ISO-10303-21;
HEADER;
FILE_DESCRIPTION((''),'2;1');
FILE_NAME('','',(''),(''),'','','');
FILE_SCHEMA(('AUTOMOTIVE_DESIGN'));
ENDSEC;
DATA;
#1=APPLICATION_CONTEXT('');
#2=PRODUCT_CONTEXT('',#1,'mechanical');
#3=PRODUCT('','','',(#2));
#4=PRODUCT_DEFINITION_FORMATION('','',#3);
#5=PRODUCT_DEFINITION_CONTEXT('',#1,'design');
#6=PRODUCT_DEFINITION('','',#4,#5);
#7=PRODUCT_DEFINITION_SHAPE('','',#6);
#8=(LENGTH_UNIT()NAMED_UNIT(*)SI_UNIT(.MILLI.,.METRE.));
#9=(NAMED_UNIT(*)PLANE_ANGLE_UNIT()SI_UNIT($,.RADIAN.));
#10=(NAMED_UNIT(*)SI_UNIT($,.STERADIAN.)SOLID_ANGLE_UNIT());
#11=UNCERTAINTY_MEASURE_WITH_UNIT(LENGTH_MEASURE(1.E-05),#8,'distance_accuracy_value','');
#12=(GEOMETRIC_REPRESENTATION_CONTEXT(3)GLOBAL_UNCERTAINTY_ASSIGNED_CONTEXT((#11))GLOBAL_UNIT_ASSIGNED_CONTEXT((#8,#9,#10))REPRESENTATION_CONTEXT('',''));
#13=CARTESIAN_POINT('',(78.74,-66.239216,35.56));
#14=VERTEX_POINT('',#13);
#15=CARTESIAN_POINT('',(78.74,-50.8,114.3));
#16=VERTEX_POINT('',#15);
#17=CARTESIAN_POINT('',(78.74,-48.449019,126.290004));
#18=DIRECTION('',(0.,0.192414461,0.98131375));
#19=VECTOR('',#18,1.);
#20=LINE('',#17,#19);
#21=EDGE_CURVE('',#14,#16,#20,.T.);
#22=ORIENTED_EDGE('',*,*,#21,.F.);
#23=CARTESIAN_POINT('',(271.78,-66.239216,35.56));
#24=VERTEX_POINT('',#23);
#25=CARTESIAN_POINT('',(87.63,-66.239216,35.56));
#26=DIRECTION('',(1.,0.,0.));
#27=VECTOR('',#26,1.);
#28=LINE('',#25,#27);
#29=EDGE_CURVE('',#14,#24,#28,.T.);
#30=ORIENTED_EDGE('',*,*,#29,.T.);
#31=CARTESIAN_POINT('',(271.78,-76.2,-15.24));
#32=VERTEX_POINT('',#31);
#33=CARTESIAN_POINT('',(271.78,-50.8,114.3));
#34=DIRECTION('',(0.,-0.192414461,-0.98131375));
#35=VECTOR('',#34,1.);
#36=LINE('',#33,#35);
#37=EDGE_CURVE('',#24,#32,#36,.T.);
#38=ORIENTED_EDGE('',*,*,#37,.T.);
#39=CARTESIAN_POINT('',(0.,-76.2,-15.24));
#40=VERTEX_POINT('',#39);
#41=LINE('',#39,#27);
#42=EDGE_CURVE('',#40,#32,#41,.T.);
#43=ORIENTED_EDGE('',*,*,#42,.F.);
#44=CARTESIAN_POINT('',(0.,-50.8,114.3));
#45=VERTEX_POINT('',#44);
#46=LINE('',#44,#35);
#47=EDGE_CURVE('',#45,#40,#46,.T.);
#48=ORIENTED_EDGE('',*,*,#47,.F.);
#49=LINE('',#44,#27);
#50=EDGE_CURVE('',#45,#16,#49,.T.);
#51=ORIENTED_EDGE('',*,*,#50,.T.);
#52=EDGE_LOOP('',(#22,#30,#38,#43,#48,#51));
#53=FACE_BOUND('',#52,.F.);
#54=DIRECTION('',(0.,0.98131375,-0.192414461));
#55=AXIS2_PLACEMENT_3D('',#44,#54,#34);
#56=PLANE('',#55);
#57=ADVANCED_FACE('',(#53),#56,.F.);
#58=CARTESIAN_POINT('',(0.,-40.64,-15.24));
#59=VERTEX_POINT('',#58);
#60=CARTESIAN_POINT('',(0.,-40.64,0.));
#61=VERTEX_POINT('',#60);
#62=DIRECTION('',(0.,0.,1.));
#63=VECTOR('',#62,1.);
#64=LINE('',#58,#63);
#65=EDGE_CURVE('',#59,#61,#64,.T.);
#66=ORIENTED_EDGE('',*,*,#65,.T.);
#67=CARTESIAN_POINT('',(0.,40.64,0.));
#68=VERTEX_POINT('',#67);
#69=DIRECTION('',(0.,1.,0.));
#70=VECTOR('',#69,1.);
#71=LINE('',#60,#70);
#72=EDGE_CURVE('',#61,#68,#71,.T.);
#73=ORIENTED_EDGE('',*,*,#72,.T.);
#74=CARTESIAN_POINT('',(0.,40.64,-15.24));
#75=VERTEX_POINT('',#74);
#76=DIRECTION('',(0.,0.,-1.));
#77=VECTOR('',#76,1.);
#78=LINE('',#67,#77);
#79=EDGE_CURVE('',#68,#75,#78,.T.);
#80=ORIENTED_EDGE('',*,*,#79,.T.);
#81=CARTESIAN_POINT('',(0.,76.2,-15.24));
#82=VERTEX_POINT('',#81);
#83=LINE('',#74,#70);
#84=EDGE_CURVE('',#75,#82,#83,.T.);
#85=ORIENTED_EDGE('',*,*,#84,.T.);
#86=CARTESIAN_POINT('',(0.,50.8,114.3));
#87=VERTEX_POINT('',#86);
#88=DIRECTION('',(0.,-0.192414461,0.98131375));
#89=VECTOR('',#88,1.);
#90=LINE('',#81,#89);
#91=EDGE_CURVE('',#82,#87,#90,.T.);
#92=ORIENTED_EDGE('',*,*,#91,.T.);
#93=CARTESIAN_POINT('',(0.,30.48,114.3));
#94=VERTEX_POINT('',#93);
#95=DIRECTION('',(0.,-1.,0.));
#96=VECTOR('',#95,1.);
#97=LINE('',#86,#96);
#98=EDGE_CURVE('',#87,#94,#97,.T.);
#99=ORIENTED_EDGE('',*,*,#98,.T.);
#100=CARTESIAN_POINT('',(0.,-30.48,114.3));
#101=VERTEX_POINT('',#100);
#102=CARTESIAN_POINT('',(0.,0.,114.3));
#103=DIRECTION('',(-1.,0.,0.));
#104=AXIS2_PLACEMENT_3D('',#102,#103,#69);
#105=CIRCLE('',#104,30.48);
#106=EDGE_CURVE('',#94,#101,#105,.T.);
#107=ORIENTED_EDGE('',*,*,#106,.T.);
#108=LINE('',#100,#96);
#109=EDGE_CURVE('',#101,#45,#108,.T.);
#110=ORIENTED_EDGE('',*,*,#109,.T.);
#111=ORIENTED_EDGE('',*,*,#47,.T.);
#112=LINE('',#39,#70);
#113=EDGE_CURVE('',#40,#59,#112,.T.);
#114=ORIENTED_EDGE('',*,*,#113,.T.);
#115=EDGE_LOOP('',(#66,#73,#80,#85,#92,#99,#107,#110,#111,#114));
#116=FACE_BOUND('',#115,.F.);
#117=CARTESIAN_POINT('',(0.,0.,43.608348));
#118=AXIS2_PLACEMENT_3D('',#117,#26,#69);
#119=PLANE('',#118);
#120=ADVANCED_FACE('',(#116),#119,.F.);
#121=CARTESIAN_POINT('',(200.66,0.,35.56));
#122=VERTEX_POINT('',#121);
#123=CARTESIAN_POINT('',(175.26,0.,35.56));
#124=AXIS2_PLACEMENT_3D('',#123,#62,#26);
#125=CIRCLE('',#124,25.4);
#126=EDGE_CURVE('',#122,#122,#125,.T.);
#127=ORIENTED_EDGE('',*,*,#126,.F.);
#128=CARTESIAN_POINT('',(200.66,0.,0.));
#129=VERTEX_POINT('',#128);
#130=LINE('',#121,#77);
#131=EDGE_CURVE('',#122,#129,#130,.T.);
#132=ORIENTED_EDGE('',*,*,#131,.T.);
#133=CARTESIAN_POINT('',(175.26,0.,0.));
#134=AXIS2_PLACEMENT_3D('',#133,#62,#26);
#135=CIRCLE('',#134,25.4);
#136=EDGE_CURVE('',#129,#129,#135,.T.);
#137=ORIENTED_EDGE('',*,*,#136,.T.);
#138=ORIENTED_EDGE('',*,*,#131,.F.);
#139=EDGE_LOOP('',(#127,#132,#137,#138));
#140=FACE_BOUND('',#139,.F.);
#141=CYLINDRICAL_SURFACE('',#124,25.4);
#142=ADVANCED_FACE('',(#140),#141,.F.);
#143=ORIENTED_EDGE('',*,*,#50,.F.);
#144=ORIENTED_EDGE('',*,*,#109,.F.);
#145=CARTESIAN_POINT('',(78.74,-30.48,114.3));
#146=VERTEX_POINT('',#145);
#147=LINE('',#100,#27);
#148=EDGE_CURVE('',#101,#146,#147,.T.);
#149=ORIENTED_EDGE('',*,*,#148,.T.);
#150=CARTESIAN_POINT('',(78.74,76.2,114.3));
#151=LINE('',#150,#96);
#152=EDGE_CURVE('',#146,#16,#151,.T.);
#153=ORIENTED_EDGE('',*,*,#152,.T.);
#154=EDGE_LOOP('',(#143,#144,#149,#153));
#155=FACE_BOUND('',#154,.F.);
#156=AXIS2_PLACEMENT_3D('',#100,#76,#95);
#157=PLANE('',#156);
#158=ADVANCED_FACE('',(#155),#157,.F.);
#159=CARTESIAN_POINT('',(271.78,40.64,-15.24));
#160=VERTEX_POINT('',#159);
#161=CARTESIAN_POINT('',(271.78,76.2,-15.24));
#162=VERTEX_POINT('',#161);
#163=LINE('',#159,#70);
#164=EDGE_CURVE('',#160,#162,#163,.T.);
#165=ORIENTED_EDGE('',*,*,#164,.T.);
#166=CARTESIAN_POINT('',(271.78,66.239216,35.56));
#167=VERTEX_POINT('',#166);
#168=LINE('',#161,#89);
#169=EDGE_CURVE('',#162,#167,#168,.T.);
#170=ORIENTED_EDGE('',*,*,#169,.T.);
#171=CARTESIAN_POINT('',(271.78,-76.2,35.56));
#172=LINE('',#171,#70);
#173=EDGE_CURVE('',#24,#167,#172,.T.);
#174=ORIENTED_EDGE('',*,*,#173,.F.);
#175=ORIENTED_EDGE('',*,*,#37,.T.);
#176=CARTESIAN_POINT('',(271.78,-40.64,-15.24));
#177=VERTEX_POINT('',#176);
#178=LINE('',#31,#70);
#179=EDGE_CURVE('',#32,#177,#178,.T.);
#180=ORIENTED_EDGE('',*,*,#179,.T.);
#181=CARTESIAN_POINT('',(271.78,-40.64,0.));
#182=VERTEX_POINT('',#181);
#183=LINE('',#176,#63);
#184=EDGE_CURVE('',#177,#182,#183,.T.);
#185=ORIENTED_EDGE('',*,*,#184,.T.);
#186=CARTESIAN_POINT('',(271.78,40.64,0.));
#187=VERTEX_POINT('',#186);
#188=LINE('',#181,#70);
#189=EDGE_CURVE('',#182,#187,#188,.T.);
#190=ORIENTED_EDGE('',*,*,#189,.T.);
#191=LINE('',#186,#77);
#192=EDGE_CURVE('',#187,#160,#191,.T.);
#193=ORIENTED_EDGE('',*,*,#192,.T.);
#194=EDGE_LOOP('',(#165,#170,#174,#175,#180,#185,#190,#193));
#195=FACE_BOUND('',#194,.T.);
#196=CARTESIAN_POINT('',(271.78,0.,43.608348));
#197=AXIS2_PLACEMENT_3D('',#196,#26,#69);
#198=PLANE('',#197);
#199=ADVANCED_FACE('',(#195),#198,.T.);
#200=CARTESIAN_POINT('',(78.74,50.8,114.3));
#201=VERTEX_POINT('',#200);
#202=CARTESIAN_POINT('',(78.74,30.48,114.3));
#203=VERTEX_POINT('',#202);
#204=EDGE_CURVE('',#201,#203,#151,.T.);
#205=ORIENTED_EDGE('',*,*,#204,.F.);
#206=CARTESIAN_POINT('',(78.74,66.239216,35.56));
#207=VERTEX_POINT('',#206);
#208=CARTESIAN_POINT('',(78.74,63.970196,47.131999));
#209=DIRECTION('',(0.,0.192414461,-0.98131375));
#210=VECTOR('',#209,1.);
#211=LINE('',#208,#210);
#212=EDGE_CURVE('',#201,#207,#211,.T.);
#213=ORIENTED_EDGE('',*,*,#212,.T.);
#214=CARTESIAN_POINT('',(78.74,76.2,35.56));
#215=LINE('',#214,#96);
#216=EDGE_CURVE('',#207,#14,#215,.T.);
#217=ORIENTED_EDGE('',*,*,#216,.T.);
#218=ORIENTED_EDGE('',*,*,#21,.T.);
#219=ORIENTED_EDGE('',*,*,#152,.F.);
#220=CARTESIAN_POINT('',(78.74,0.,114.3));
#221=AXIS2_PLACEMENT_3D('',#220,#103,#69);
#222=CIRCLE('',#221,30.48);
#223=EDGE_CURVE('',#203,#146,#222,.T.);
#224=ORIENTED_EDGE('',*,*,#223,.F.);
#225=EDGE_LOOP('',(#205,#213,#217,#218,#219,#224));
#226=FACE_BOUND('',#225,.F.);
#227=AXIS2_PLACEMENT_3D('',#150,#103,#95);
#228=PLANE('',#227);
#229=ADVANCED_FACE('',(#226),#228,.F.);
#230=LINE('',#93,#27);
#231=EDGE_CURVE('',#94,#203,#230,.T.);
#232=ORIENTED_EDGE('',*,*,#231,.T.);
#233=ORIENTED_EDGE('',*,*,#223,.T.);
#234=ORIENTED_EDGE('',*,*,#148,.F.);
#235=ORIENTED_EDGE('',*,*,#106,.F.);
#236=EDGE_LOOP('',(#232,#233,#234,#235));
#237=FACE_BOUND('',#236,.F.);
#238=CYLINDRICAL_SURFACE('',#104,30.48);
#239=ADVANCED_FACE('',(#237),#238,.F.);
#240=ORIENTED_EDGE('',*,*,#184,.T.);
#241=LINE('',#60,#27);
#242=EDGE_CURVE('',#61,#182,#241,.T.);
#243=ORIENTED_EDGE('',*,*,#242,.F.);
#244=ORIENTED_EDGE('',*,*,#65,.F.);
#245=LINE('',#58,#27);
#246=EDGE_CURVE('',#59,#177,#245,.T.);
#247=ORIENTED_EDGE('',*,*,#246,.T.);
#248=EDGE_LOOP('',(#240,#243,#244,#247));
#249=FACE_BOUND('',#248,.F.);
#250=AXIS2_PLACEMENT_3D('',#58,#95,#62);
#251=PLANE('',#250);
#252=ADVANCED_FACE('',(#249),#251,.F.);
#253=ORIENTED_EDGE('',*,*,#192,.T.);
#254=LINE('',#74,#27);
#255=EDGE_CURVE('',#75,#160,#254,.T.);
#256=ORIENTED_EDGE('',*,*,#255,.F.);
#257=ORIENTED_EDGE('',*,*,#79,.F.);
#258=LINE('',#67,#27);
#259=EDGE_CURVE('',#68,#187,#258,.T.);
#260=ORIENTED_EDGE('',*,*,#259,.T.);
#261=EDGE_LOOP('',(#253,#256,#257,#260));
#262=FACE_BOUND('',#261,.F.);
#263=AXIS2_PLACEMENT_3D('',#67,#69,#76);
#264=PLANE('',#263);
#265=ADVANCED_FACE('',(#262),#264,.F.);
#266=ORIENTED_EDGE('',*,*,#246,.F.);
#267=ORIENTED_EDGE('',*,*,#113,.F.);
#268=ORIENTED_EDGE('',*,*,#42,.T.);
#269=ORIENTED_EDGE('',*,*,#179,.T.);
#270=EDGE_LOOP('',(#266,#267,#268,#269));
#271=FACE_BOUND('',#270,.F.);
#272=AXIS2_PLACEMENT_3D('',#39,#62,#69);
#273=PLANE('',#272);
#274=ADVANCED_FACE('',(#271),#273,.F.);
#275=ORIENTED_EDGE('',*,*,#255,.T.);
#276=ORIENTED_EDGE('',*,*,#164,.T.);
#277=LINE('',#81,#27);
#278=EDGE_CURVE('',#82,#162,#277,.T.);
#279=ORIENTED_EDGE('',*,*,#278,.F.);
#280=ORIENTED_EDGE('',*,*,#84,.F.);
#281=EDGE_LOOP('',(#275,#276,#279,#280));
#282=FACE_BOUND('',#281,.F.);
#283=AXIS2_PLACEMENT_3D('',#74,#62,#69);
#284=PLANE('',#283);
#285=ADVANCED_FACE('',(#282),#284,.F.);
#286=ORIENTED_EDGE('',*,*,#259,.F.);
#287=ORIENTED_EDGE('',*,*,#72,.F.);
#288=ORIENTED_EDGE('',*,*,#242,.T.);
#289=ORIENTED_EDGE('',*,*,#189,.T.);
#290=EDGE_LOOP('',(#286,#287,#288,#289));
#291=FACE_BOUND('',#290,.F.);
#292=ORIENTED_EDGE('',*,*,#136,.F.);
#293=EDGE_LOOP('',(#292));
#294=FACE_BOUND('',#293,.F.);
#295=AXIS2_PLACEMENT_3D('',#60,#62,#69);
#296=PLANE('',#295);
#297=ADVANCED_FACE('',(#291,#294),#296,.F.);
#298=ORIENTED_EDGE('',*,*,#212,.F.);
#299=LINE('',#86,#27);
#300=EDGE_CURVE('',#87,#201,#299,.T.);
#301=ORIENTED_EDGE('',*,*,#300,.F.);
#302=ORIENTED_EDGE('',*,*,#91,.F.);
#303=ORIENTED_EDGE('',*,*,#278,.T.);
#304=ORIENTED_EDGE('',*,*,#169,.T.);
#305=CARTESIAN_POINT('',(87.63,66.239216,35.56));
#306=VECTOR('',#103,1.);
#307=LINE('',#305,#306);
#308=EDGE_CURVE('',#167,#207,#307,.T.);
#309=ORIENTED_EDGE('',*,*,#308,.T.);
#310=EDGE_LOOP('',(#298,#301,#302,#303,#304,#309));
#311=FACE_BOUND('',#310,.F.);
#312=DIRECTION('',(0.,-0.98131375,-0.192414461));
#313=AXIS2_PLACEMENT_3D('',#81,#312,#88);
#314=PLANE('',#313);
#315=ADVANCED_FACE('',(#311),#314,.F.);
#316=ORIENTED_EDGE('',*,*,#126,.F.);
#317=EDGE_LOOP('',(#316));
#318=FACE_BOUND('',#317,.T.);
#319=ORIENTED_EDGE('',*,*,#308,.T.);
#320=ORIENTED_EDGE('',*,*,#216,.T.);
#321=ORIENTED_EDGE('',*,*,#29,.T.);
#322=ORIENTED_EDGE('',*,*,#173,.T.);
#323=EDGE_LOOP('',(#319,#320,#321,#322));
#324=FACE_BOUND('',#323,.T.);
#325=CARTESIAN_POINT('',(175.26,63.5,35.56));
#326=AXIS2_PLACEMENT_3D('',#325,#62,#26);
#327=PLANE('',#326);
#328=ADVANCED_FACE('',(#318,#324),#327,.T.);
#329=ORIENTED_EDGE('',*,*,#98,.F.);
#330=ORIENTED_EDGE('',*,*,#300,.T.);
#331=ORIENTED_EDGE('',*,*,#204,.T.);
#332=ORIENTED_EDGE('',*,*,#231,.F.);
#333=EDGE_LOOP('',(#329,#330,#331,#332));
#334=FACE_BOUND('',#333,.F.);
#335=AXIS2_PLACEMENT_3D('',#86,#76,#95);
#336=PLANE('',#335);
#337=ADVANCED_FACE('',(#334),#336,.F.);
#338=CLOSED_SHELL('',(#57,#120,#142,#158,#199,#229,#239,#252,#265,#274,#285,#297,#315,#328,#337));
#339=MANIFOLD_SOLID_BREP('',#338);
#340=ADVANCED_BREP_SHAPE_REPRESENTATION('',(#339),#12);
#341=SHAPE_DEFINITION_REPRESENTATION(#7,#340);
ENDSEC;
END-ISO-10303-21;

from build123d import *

# Parameters (mm, degrees)
F1_DEPTH = 271.78
F2_W     = 193.04
F2_H     = 25.4
F2_H_2   = 20.32
F2_H_3   = 106.68
F3_DEPTH = 78.74
F4_R     = 25.4
F5_DEPTH = 76.2


with BuildPart() as f1:
    # F0 (on Right) → F1 (new body)
    with BuildSketch(Plane.YZ):
        with BuildLine():
            Line((-40.64, 0), (0, 0))
            Line((0, 0), (40.64, 0))
            Line((40.64, 0), (40.64, -15.24))
            Line((40.64, -15.24), (76.2, -15.24))
            Line((76.2, -15.24), (50.8, 114.3))
            Line((50.8, 114.3), (30.48, 114.3))
            ThreePointArc((30.48, 114.3), (0, 83.82), (-30.48, 114.3))
            Line((-30.48, 114.3), (-50.8, 114.3))
            Line((-50.8, 114.3), (-76.2, -15.24))
            Line((-76.2, -15.24), (-40.64, -15.24))
            Line((-40.64, -15.24), (-40.64, 0))
        make_face()
    extrude(amount=F1_DEPTH)

    # F2 (on face) → F3 (cut)
    with BuildSketch(Plane.XY.offset(114.3)):
        with Locations((175.26, 63.5)):
            Rectangle(F2_W, F2_H)
        with Locations((175.26, 40.64)):
            Rectangle(F2_W, F2_H_2)
        with Locations((175.26, -22.86)):
            Rectangle(F2_W, F2_H_3)
    extrude(amount=-F3_DEPTH, mode=Mode.SUBTRACT)

    # F4 (on face) → F5 (cut)
    with BuildSketch(Plane.XY.offset(35.56)):
        with Locations((175.26, 0)):
            Circle(F4_R)
    extrude(amount=-F5_DEPTH, mode=Mode.SUBTRACT)


solid = f1.part
